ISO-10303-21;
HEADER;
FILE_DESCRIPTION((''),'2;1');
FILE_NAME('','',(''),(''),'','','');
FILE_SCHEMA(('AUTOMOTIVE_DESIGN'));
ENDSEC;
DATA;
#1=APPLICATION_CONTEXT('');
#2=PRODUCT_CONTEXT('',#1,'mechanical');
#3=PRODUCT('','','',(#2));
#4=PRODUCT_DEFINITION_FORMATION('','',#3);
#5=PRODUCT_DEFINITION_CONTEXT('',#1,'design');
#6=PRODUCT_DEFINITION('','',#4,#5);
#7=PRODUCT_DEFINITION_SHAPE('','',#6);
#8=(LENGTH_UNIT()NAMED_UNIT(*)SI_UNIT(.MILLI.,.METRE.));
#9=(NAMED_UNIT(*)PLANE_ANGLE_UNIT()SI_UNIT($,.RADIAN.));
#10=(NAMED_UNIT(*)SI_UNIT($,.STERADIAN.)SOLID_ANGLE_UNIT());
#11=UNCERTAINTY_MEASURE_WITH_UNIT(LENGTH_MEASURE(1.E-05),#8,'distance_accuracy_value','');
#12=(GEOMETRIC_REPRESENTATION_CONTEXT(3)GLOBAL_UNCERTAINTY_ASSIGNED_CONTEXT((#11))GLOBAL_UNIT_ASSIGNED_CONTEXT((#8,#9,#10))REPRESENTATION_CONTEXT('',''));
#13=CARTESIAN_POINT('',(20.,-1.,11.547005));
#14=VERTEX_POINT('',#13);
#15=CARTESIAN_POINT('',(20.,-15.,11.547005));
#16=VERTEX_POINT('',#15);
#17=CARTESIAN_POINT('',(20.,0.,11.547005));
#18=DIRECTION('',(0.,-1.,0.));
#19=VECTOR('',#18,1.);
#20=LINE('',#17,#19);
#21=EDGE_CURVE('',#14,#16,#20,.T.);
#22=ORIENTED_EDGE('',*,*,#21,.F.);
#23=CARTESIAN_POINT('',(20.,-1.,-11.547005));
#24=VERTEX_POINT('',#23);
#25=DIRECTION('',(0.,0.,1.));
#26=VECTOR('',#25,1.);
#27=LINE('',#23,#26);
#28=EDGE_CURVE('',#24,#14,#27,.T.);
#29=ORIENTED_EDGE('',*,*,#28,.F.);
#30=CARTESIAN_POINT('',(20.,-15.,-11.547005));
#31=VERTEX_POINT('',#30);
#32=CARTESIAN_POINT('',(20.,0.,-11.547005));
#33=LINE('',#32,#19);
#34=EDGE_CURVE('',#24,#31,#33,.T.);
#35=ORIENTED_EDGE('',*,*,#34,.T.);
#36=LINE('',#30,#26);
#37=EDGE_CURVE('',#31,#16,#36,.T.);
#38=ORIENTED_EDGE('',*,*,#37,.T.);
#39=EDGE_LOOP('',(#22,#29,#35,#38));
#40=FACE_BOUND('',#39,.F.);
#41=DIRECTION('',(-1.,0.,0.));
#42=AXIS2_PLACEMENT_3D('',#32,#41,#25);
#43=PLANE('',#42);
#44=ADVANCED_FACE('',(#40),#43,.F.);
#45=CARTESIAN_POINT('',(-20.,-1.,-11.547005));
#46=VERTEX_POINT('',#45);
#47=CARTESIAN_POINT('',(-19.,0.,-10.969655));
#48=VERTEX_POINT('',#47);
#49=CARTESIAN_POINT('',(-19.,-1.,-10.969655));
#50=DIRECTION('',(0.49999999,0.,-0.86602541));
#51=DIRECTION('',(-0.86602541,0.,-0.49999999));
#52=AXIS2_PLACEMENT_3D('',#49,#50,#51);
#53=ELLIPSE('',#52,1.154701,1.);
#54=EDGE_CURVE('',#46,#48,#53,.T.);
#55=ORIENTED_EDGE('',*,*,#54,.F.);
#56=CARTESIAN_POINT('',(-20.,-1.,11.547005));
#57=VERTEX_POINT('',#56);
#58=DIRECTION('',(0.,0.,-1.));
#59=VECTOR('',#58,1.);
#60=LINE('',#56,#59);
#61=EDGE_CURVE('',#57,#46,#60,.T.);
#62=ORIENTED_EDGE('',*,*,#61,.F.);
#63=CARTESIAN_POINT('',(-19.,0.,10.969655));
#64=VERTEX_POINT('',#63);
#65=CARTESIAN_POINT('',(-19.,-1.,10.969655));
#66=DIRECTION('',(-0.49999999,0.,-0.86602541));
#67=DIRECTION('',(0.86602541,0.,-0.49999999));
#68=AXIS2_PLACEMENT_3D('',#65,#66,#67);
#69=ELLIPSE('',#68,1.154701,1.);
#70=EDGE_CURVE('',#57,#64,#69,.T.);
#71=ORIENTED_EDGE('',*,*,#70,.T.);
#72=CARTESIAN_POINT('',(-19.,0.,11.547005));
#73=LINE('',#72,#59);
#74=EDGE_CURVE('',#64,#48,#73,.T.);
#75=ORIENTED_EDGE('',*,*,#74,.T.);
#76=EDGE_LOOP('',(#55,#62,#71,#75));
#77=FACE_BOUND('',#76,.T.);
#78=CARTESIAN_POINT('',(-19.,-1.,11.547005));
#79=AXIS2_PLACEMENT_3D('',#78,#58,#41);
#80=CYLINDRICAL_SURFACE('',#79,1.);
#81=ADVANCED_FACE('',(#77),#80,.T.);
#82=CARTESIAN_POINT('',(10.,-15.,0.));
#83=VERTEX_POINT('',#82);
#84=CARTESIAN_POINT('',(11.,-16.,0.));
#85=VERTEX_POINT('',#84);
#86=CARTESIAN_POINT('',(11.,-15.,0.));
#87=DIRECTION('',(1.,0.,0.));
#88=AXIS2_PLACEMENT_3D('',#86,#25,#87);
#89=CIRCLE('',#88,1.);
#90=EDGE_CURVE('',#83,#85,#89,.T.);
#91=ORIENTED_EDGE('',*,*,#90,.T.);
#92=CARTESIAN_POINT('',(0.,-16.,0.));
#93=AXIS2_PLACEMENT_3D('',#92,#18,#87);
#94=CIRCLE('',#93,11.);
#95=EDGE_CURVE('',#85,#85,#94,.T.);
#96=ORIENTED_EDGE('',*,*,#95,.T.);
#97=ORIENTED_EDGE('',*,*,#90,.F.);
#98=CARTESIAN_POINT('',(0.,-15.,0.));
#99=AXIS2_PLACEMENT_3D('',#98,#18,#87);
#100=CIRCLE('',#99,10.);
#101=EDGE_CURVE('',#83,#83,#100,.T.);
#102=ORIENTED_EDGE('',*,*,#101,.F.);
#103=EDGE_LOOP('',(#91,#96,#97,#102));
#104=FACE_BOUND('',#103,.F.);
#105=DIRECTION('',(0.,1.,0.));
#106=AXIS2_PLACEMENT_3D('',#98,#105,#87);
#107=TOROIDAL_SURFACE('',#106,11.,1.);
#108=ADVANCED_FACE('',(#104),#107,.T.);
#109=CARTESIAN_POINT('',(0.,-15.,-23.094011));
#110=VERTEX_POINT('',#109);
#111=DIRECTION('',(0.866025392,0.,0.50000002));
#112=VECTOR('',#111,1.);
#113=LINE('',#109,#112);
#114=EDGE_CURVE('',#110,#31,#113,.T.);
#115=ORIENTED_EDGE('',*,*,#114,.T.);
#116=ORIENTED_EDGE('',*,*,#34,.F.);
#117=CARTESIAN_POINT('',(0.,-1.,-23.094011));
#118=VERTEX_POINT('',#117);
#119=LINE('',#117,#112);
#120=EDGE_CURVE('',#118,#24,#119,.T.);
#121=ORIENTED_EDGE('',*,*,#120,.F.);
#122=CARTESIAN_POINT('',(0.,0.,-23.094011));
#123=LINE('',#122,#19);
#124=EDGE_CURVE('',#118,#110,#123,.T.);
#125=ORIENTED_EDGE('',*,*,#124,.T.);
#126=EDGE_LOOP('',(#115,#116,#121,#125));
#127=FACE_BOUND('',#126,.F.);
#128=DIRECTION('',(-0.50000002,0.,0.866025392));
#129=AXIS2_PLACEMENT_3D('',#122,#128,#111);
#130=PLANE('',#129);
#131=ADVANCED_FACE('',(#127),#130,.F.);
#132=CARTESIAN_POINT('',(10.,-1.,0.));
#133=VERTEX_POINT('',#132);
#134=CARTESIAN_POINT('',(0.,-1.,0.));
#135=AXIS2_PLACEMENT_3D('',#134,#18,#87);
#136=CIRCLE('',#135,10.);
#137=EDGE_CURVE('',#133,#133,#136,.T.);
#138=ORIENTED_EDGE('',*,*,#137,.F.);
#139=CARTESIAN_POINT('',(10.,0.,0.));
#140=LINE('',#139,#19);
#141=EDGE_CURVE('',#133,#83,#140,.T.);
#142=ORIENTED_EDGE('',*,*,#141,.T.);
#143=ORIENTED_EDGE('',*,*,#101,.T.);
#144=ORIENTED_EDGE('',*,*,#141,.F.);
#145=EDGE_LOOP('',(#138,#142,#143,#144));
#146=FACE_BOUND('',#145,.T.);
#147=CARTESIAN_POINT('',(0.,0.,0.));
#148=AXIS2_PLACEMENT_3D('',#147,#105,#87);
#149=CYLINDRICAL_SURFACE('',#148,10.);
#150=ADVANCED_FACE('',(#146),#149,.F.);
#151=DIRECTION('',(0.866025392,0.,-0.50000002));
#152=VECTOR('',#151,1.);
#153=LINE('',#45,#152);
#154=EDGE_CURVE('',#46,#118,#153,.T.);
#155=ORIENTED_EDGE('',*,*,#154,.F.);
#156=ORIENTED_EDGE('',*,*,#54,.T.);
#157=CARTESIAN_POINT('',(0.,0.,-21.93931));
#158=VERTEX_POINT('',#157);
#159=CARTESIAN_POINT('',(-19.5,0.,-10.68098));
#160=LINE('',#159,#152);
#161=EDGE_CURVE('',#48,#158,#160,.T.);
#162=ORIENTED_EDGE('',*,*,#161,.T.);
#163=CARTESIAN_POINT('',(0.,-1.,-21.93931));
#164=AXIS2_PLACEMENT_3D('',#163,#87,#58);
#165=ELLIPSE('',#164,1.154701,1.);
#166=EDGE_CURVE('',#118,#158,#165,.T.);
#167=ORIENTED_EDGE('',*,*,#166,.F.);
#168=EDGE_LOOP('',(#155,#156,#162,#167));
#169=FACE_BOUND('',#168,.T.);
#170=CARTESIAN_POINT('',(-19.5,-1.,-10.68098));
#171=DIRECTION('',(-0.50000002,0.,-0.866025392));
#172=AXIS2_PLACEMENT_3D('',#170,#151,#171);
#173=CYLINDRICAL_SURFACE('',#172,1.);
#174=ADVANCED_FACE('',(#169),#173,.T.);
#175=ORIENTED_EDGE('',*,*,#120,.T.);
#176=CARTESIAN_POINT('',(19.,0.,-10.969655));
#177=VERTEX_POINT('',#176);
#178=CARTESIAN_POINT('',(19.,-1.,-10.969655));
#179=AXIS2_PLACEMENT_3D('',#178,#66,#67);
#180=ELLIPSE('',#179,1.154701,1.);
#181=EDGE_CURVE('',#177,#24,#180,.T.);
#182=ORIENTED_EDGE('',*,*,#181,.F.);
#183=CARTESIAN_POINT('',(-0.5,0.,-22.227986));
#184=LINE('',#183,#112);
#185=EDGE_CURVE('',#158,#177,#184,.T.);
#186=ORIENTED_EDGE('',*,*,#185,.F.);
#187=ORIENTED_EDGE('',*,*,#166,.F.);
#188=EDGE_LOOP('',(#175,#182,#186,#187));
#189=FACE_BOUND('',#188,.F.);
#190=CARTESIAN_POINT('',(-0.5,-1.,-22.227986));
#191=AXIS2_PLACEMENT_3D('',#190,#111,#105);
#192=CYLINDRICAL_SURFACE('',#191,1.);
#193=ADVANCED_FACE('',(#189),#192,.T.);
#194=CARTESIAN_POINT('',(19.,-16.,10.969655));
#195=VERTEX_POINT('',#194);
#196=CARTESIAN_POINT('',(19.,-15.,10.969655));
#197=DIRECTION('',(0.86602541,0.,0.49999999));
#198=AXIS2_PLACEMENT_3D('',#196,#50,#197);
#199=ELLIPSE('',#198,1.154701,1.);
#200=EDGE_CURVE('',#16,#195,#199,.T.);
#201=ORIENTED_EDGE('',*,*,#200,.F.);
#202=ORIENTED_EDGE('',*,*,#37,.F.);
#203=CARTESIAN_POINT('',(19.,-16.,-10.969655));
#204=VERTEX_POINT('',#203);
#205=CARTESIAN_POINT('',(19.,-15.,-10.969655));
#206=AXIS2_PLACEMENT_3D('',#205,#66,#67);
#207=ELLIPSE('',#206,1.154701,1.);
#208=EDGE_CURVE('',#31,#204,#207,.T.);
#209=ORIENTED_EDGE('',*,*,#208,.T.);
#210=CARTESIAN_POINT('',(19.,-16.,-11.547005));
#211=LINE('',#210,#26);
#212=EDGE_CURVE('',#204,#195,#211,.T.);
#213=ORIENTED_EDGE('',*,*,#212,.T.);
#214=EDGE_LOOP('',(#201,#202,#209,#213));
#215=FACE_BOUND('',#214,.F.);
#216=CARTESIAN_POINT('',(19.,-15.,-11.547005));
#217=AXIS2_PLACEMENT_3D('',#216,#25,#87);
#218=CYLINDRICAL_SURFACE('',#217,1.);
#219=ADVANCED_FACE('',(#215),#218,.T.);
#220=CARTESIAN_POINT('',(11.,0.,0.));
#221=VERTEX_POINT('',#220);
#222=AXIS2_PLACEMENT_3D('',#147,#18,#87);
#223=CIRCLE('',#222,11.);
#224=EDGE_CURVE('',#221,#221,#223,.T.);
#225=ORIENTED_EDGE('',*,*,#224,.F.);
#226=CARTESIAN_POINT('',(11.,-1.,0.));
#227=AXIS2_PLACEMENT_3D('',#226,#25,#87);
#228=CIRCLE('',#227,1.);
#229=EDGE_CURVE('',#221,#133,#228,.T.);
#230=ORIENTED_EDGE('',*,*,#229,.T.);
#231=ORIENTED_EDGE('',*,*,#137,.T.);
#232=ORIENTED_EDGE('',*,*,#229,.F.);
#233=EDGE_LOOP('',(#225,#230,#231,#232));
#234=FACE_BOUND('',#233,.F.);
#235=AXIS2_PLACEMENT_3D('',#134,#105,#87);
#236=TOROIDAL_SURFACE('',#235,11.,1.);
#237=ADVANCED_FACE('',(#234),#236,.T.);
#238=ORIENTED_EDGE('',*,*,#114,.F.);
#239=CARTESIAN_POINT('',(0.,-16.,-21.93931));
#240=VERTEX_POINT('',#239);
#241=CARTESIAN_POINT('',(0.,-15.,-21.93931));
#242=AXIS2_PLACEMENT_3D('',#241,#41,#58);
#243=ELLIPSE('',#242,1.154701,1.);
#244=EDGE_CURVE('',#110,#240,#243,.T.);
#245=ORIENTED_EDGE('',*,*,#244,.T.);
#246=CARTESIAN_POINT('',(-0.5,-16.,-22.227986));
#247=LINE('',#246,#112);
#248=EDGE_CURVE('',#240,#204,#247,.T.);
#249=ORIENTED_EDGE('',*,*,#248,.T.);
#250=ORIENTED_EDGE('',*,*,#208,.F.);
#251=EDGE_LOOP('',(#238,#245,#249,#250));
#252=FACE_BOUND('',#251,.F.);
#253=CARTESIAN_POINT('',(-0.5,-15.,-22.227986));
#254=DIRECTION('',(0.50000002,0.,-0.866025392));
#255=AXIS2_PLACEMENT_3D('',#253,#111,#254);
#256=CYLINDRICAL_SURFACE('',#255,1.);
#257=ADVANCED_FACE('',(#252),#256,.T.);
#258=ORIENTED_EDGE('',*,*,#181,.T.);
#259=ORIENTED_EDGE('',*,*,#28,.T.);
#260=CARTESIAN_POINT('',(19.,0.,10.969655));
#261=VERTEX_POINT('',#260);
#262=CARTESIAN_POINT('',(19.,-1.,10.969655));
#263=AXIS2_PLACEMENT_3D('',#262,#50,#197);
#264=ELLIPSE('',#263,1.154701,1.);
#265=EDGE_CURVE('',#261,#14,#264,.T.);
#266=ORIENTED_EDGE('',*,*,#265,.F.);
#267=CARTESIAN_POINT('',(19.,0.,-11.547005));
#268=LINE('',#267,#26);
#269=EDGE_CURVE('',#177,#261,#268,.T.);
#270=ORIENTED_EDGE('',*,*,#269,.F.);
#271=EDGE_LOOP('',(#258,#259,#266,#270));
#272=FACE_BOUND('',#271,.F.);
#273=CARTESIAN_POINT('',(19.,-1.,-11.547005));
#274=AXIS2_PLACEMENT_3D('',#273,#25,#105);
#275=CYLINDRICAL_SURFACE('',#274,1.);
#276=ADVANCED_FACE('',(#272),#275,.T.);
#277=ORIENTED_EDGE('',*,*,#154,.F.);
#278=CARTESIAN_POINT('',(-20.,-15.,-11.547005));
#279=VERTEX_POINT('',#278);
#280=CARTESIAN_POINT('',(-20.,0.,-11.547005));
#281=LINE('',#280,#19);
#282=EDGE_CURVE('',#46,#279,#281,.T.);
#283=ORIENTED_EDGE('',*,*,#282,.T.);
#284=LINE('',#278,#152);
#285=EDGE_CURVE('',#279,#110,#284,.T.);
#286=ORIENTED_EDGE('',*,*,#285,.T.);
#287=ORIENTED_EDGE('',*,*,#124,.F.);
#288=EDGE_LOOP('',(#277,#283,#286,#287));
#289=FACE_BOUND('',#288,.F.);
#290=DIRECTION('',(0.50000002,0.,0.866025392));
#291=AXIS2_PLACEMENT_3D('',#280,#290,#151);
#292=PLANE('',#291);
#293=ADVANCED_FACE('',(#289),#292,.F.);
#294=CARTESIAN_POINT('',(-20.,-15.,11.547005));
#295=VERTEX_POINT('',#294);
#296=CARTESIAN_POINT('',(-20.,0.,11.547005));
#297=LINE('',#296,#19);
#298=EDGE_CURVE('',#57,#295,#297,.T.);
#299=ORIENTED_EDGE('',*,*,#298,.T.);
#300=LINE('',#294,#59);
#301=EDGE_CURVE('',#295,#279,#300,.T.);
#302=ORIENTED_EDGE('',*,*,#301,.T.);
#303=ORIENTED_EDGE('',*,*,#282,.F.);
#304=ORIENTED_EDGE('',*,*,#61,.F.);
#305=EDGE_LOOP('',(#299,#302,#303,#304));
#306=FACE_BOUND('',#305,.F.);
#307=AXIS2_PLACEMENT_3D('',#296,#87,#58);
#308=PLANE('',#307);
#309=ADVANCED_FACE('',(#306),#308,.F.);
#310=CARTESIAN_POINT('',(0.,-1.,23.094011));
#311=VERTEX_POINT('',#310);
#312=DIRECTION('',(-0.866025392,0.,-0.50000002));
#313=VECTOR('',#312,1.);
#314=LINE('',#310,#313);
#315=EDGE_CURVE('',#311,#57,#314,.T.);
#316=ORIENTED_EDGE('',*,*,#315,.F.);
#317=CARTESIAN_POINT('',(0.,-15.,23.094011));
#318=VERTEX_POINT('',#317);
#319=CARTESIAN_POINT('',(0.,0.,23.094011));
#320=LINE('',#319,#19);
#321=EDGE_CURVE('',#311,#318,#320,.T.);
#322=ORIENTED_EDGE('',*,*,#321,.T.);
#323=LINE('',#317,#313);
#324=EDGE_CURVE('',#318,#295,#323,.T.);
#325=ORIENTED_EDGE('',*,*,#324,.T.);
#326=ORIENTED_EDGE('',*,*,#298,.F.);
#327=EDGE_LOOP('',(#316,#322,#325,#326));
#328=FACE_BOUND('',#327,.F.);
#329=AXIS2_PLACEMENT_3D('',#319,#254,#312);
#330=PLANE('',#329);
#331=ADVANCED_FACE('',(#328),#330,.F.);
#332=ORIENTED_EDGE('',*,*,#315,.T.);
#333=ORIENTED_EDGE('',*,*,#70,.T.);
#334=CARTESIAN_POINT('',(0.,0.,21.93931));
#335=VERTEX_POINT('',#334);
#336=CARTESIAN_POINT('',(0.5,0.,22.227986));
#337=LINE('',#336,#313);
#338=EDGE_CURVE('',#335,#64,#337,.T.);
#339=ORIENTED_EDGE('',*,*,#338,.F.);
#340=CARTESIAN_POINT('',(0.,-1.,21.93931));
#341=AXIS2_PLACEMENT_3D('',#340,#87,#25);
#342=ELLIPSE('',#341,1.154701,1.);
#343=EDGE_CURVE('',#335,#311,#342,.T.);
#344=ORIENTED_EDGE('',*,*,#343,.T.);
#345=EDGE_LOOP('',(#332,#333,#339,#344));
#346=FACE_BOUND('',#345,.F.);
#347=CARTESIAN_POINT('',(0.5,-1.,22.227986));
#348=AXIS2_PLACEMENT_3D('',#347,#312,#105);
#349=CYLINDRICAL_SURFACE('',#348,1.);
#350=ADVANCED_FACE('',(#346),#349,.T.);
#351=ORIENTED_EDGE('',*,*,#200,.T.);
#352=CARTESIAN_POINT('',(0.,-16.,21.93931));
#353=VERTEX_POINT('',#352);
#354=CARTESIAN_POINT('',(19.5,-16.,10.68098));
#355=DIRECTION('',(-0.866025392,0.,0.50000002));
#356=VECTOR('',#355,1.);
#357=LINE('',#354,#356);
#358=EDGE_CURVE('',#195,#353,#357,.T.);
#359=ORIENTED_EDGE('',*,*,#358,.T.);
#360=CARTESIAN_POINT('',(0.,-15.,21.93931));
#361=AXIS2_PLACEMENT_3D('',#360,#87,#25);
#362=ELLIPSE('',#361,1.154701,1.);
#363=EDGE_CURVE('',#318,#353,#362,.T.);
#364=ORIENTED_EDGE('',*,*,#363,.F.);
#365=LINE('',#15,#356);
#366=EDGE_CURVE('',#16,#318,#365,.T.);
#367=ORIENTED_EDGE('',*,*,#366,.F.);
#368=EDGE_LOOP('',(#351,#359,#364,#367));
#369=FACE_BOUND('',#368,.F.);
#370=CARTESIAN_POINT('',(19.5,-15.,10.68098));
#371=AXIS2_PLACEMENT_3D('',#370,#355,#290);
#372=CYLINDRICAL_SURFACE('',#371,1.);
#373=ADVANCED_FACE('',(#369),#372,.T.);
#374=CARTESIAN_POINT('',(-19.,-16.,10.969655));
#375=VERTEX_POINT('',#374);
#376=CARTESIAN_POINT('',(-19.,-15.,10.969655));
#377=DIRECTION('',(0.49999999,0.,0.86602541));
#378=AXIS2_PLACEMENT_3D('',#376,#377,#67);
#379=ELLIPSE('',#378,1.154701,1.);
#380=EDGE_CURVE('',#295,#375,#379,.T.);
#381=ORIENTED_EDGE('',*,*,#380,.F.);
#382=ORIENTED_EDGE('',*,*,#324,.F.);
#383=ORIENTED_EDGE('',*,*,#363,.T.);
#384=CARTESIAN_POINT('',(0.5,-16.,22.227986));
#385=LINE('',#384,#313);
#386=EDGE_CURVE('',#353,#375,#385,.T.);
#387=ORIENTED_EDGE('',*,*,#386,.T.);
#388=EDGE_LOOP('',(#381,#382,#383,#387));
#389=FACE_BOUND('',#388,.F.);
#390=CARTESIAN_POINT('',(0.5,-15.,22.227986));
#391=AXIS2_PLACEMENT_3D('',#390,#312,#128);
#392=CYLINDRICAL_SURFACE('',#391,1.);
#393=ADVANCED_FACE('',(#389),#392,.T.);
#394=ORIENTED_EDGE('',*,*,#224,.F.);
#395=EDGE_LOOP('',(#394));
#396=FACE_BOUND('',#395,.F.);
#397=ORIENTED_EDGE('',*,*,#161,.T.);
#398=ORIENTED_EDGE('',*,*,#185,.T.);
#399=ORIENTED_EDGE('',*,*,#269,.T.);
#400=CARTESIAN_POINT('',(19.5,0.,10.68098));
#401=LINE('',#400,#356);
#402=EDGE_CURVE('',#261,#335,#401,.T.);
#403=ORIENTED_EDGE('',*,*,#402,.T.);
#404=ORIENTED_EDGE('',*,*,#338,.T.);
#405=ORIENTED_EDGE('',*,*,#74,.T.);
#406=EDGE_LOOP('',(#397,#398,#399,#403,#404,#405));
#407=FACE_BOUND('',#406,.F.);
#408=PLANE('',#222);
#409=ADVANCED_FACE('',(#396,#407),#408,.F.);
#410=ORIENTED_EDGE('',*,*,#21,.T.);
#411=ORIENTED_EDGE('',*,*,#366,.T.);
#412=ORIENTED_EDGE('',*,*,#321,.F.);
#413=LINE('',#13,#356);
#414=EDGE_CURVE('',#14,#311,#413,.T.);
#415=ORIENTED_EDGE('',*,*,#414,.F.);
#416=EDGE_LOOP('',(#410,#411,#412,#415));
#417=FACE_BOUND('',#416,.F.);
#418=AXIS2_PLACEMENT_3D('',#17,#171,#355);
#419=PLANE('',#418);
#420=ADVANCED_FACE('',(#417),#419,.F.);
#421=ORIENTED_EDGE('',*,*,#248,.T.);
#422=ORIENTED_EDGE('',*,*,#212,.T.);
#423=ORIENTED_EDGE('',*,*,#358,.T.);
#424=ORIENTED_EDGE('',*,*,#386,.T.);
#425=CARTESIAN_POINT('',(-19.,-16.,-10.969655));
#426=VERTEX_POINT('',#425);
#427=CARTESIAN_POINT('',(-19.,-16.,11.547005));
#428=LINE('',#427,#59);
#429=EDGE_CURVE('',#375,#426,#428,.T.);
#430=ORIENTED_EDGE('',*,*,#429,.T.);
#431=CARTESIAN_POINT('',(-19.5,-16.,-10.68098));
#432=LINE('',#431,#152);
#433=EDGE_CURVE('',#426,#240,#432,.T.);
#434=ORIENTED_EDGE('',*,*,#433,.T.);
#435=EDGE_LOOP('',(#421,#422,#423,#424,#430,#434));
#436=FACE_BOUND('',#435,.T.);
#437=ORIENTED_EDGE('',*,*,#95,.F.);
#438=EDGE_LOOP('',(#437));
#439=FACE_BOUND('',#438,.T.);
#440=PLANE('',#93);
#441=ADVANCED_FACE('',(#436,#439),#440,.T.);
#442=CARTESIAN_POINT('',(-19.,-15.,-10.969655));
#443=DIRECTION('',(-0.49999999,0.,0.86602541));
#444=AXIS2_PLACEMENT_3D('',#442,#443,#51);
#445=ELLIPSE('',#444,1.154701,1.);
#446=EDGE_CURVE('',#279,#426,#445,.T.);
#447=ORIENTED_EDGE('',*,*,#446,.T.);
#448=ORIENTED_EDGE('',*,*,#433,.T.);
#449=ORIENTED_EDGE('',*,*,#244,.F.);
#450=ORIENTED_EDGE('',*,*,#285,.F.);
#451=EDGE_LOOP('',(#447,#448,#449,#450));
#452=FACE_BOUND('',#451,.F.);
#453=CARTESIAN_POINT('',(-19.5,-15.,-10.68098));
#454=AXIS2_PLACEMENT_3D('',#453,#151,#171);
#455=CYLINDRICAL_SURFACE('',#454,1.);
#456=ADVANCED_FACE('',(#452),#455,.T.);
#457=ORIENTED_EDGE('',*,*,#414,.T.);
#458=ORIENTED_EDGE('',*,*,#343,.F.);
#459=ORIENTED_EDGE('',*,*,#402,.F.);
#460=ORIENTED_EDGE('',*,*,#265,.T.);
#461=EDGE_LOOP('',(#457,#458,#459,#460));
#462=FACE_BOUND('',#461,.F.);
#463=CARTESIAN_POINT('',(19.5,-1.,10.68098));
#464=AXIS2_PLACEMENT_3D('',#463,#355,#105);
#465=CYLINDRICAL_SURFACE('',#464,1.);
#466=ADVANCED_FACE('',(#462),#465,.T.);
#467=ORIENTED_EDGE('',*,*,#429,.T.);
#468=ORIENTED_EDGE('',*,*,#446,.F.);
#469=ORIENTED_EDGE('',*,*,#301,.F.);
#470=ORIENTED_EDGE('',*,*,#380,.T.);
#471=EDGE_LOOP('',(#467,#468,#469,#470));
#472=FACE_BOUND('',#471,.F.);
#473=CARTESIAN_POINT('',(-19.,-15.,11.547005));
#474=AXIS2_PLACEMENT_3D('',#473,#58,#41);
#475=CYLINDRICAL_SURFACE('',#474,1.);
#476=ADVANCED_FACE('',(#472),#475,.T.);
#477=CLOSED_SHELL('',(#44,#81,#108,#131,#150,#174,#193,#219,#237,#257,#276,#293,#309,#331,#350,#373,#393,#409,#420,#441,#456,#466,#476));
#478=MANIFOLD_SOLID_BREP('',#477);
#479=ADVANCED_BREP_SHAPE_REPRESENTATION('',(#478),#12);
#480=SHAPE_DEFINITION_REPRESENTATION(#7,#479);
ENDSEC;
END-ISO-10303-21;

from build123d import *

# Parameters (mm, degrees)
F0_R     = 10
F1_DEPTH = 16
F2_R     = 1
F3_R     = 1


with BuildPart() as f1:
    # F0 (on Front) → F1 (new body)
    with BuildSketch(Plane.XZ):
        Polygon((-20, -11.547005), (0, -23.094011), (20, -11.547005), (20, 11.547005), (0, 23.094011), (-20, 11.547005), align=None)
        Circle(F0_R, mode=Mode.SUBTRACT)
    extrude(amount=F1_DEPTH)

    # F2
    f2_edges = [f1.edges().sort_by_distance(p)[0] for p in [
        (-20, -16, 0),
        (-10, -16, -17.320508),
        (10, -16, -17.320508),
        (20, -16, 0),
        (10, -16, 17.320508),
        (-10, -16, 17.320508),
        (-10, -16, 0),
    ]]
    fillet(f2_edges, radius=F2_R)

    # F3
    f3_edges = [f1.edges().sort_by_distance(p)[0] for p in [
        (-20, 0, 0),
        (-10, 0, -17.320508),
        (10, 0, -17.320508),
        (20, 0, 0),
        (10, 0, 17.320508),
        (-10, 0, 17.320508),
        (-10, 0, 0),
    ]]
    fillet(f3_edges, radius=F3_R)


solid = f1.part
